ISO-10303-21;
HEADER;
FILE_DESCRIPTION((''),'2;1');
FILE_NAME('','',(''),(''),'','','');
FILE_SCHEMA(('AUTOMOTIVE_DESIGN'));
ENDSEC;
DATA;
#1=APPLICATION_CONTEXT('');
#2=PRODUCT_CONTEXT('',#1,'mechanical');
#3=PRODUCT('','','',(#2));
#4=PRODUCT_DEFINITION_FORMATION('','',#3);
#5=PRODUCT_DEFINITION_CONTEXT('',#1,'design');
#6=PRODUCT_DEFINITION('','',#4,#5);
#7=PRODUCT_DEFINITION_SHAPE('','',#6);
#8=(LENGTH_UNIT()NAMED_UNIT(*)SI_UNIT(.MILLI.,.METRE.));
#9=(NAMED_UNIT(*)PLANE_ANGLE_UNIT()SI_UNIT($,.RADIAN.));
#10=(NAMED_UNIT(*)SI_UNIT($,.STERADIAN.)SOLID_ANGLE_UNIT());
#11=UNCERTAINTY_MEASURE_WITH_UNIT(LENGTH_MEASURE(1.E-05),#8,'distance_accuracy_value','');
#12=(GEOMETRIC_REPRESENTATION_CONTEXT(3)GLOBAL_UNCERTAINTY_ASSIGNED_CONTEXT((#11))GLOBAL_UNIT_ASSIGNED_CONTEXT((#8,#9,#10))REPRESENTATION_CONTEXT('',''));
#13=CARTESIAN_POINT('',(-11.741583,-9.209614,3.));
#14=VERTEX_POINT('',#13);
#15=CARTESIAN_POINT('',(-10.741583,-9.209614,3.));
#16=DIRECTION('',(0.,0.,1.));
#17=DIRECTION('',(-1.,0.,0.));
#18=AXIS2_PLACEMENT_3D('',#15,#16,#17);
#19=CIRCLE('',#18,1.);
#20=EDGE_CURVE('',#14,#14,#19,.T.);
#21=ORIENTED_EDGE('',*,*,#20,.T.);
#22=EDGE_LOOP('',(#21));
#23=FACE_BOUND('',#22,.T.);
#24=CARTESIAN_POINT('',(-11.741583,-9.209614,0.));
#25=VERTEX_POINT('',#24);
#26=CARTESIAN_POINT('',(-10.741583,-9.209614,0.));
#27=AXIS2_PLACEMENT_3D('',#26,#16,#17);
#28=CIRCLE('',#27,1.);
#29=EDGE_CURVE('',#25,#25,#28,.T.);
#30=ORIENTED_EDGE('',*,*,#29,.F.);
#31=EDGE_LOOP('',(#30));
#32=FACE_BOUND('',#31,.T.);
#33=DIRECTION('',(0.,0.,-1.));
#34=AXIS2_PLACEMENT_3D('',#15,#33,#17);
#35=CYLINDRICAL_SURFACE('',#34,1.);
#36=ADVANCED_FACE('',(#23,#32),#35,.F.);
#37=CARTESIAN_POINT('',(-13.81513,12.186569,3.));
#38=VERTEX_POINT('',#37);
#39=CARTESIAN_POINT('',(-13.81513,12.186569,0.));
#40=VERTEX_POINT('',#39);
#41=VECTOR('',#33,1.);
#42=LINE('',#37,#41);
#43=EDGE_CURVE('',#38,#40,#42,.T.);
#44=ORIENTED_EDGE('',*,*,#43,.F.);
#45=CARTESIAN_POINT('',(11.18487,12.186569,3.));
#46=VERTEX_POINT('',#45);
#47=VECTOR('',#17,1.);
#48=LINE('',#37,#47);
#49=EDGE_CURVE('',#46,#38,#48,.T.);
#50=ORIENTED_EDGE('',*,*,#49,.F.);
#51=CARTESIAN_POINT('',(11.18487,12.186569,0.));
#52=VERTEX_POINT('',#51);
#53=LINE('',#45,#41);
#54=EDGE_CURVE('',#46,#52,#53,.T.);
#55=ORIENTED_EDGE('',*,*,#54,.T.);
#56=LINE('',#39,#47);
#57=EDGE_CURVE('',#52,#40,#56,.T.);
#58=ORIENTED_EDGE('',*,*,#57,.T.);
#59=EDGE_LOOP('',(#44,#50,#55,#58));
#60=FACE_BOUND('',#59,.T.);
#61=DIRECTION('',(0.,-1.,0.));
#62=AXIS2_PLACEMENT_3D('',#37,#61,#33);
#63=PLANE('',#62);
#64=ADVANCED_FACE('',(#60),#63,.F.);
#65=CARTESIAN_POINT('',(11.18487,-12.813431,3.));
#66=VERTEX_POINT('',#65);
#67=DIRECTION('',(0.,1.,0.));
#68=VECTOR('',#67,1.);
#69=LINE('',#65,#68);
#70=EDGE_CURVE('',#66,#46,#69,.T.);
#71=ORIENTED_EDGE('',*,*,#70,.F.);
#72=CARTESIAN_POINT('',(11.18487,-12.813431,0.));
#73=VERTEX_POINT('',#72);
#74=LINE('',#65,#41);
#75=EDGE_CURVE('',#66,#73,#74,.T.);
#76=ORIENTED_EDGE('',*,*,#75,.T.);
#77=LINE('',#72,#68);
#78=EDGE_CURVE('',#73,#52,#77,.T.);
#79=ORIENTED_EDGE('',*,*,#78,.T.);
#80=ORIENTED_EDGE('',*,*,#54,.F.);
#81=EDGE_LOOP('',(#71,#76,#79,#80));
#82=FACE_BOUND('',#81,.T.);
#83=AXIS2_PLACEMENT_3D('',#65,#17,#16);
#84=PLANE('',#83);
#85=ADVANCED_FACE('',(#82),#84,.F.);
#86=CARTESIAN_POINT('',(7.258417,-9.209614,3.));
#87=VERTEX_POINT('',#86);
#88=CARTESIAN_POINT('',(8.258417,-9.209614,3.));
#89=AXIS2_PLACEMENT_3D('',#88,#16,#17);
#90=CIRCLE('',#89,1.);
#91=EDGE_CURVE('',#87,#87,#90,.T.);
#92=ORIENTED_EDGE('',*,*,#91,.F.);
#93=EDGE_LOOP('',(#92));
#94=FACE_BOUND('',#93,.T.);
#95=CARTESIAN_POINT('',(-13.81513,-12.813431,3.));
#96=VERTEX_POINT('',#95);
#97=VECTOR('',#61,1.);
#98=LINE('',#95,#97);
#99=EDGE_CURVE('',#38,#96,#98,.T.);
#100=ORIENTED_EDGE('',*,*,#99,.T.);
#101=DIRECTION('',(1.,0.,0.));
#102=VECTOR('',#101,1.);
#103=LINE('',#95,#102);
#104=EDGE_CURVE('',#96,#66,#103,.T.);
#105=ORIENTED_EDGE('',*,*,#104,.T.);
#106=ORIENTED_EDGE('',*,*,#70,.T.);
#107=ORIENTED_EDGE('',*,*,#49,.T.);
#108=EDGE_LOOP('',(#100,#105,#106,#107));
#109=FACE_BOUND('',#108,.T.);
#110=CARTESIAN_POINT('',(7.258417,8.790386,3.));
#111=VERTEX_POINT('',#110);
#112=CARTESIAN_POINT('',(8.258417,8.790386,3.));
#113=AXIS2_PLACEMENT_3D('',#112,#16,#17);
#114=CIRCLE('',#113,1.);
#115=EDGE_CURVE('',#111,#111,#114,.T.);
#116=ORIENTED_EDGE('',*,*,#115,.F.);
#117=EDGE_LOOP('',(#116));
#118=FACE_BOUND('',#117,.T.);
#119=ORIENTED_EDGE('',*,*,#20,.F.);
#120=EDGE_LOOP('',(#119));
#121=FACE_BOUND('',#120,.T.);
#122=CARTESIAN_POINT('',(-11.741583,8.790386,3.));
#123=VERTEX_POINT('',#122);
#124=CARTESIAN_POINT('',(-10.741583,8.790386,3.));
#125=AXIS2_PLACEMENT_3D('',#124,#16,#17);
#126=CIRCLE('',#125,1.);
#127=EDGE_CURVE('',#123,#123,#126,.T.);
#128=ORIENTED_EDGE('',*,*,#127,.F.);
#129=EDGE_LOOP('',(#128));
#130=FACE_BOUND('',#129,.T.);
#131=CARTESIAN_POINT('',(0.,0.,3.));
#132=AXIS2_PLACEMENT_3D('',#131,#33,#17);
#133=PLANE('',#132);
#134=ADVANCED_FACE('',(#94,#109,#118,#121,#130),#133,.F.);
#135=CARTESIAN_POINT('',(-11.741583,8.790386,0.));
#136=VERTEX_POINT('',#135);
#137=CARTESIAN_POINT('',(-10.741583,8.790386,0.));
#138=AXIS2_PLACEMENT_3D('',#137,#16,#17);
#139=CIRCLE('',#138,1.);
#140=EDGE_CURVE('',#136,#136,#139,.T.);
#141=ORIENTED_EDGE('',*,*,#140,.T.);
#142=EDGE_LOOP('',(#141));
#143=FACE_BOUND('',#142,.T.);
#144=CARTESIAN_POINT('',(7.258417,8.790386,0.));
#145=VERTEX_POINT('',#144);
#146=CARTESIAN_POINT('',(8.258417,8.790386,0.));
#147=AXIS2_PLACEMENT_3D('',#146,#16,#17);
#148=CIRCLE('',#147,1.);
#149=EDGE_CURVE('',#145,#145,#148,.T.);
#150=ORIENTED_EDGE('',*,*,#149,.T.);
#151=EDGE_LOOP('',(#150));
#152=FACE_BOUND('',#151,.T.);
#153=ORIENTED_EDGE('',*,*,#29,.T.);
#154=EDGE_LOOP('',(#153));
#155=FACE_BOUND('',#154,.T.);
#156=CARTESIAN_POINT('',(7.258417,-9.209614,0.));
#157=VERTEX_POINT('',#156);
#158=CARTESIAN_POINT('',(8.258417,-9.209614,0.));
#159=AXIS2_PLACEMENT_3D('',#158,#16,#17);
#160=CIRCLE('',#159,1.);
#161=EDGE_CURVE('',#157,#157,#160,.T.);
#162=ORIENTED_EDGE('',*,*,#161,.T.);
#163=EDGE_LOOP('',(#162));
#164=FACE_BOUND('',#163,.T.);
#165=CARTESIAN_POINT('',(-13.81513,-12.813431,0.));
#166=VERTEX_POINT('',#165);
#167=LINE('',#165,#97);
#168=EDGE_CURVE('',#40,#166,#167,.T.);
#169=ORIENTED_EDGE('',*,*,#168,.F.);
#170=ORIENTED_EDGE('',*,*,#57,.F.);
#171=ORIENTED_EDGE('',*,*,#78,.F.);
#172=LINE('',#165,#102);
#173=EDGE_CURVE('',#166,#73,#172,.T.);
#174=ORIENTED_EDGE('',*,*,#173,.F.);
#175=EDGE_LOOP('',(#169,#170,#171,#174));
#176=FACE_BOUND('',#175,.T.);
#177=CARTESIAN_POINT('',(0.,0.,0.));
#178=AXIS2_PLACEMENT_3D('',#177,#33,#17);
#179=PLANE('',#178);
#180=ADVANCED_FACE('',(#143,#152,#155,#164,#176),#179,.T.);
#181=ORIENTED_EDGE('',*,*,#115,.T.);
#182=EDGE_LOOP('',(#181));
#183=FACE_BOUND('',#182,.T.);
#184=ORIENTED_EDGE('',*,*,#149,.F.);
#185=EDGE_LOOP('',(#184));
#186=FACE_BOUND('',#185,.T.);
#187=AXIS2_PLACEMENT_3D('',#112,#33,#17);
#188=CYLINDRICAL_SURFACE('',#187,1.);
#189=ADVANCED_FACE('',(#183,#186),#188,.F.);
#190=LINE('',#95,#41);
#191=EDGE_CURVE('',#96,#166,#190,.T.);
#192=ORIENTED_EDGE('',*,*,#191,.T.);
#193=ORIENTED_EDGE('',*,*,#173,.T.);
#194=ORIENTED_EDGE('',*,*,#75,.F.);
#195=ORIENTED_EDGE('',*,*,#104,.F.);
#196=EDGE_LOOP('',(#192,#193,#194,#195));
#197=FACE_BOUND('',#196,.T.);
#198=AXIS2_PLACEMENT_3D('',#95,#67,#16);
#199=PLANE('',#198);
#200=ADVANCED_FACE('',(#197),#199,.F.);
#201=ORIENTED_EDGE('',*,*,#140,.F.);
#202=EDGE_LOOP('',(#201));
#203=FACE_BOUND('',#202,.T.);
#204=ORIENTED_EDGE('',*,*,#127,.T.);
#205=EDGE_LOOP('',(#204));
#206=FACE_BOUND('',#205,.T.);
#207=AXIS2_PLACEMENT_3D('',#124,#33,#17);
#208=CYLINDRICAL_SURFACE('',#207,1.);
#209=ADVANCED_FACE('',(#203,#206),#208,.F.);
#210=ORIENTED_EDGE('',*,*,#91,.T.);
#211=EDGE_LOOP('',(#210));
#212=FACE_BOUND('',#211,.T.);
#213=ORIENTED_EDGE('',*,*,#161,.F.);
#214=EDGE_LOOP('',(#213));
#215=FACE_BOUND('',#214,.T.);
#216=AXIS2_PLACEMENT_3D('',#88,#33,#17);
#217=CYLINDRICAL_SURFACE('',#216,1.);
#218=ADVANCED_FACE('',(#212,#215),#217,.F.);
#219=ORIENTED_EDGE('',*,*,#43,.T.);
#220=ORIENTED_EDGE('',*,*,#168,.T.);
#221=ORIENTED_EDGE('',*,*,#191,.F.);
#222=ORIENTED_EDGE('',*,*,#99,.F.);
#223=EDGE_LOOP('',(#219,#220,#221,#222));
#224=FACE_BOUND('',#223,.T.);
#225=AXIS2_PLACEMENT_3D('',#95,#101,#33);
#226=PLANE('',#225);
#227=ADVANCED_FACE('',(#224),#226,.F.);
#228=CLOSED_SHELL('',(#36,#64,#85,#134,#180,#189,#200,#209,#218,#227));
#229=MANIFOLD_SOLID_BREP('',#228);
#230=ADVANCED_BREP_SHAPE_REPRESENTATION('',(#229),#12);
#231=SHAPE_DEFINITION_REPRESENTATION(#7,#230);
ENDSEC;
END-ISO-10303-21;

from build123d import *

# Parameters (mm, degrees)
ESQUISSE1_W        = 25
ESQUISSE1_H        = 25
ESQUISSE1_R        = 1
BOSS_EXTRU_1_DEPTH = 3


with BuildPart() as part:
    # Esquisse1 → Boss.-Extru.1 (new body)
    with BuildSketch(Plane.XY):
        with Locations((-1.315129748, -0.313430953)):
            Rectangle(ESQUISSE1_W, ESQUISSE1_H)
        with Locations(Location((-10.74158344, -9.209614493, 0), (0, 0, 180))):
            Circle(ESQUISSE1_R, mode=Mode.SUBTRACT)
        with Locations(Location((-10.74158344, 8.790385507, 0), (0, 0, 180))):
            Circle(ESQUISSE1_R, mode=Mode.SUBTRACT)
        with Locations(Location((8.25841656, -9.209614493, 0), (0, 0, 180))):
            Circle(ESQUISSE1_R, mode=Mode.SUBTRACT)
        with Locations(Location((8.25841656, 8.790385507, 0), (0, 0, 180))):
            Circle(ESQUISSE1_R, mode=Mode.SUBTRACT)
    extrude(amount=BOSS_EXTRU_1_DEPTH)


solid = part.part
